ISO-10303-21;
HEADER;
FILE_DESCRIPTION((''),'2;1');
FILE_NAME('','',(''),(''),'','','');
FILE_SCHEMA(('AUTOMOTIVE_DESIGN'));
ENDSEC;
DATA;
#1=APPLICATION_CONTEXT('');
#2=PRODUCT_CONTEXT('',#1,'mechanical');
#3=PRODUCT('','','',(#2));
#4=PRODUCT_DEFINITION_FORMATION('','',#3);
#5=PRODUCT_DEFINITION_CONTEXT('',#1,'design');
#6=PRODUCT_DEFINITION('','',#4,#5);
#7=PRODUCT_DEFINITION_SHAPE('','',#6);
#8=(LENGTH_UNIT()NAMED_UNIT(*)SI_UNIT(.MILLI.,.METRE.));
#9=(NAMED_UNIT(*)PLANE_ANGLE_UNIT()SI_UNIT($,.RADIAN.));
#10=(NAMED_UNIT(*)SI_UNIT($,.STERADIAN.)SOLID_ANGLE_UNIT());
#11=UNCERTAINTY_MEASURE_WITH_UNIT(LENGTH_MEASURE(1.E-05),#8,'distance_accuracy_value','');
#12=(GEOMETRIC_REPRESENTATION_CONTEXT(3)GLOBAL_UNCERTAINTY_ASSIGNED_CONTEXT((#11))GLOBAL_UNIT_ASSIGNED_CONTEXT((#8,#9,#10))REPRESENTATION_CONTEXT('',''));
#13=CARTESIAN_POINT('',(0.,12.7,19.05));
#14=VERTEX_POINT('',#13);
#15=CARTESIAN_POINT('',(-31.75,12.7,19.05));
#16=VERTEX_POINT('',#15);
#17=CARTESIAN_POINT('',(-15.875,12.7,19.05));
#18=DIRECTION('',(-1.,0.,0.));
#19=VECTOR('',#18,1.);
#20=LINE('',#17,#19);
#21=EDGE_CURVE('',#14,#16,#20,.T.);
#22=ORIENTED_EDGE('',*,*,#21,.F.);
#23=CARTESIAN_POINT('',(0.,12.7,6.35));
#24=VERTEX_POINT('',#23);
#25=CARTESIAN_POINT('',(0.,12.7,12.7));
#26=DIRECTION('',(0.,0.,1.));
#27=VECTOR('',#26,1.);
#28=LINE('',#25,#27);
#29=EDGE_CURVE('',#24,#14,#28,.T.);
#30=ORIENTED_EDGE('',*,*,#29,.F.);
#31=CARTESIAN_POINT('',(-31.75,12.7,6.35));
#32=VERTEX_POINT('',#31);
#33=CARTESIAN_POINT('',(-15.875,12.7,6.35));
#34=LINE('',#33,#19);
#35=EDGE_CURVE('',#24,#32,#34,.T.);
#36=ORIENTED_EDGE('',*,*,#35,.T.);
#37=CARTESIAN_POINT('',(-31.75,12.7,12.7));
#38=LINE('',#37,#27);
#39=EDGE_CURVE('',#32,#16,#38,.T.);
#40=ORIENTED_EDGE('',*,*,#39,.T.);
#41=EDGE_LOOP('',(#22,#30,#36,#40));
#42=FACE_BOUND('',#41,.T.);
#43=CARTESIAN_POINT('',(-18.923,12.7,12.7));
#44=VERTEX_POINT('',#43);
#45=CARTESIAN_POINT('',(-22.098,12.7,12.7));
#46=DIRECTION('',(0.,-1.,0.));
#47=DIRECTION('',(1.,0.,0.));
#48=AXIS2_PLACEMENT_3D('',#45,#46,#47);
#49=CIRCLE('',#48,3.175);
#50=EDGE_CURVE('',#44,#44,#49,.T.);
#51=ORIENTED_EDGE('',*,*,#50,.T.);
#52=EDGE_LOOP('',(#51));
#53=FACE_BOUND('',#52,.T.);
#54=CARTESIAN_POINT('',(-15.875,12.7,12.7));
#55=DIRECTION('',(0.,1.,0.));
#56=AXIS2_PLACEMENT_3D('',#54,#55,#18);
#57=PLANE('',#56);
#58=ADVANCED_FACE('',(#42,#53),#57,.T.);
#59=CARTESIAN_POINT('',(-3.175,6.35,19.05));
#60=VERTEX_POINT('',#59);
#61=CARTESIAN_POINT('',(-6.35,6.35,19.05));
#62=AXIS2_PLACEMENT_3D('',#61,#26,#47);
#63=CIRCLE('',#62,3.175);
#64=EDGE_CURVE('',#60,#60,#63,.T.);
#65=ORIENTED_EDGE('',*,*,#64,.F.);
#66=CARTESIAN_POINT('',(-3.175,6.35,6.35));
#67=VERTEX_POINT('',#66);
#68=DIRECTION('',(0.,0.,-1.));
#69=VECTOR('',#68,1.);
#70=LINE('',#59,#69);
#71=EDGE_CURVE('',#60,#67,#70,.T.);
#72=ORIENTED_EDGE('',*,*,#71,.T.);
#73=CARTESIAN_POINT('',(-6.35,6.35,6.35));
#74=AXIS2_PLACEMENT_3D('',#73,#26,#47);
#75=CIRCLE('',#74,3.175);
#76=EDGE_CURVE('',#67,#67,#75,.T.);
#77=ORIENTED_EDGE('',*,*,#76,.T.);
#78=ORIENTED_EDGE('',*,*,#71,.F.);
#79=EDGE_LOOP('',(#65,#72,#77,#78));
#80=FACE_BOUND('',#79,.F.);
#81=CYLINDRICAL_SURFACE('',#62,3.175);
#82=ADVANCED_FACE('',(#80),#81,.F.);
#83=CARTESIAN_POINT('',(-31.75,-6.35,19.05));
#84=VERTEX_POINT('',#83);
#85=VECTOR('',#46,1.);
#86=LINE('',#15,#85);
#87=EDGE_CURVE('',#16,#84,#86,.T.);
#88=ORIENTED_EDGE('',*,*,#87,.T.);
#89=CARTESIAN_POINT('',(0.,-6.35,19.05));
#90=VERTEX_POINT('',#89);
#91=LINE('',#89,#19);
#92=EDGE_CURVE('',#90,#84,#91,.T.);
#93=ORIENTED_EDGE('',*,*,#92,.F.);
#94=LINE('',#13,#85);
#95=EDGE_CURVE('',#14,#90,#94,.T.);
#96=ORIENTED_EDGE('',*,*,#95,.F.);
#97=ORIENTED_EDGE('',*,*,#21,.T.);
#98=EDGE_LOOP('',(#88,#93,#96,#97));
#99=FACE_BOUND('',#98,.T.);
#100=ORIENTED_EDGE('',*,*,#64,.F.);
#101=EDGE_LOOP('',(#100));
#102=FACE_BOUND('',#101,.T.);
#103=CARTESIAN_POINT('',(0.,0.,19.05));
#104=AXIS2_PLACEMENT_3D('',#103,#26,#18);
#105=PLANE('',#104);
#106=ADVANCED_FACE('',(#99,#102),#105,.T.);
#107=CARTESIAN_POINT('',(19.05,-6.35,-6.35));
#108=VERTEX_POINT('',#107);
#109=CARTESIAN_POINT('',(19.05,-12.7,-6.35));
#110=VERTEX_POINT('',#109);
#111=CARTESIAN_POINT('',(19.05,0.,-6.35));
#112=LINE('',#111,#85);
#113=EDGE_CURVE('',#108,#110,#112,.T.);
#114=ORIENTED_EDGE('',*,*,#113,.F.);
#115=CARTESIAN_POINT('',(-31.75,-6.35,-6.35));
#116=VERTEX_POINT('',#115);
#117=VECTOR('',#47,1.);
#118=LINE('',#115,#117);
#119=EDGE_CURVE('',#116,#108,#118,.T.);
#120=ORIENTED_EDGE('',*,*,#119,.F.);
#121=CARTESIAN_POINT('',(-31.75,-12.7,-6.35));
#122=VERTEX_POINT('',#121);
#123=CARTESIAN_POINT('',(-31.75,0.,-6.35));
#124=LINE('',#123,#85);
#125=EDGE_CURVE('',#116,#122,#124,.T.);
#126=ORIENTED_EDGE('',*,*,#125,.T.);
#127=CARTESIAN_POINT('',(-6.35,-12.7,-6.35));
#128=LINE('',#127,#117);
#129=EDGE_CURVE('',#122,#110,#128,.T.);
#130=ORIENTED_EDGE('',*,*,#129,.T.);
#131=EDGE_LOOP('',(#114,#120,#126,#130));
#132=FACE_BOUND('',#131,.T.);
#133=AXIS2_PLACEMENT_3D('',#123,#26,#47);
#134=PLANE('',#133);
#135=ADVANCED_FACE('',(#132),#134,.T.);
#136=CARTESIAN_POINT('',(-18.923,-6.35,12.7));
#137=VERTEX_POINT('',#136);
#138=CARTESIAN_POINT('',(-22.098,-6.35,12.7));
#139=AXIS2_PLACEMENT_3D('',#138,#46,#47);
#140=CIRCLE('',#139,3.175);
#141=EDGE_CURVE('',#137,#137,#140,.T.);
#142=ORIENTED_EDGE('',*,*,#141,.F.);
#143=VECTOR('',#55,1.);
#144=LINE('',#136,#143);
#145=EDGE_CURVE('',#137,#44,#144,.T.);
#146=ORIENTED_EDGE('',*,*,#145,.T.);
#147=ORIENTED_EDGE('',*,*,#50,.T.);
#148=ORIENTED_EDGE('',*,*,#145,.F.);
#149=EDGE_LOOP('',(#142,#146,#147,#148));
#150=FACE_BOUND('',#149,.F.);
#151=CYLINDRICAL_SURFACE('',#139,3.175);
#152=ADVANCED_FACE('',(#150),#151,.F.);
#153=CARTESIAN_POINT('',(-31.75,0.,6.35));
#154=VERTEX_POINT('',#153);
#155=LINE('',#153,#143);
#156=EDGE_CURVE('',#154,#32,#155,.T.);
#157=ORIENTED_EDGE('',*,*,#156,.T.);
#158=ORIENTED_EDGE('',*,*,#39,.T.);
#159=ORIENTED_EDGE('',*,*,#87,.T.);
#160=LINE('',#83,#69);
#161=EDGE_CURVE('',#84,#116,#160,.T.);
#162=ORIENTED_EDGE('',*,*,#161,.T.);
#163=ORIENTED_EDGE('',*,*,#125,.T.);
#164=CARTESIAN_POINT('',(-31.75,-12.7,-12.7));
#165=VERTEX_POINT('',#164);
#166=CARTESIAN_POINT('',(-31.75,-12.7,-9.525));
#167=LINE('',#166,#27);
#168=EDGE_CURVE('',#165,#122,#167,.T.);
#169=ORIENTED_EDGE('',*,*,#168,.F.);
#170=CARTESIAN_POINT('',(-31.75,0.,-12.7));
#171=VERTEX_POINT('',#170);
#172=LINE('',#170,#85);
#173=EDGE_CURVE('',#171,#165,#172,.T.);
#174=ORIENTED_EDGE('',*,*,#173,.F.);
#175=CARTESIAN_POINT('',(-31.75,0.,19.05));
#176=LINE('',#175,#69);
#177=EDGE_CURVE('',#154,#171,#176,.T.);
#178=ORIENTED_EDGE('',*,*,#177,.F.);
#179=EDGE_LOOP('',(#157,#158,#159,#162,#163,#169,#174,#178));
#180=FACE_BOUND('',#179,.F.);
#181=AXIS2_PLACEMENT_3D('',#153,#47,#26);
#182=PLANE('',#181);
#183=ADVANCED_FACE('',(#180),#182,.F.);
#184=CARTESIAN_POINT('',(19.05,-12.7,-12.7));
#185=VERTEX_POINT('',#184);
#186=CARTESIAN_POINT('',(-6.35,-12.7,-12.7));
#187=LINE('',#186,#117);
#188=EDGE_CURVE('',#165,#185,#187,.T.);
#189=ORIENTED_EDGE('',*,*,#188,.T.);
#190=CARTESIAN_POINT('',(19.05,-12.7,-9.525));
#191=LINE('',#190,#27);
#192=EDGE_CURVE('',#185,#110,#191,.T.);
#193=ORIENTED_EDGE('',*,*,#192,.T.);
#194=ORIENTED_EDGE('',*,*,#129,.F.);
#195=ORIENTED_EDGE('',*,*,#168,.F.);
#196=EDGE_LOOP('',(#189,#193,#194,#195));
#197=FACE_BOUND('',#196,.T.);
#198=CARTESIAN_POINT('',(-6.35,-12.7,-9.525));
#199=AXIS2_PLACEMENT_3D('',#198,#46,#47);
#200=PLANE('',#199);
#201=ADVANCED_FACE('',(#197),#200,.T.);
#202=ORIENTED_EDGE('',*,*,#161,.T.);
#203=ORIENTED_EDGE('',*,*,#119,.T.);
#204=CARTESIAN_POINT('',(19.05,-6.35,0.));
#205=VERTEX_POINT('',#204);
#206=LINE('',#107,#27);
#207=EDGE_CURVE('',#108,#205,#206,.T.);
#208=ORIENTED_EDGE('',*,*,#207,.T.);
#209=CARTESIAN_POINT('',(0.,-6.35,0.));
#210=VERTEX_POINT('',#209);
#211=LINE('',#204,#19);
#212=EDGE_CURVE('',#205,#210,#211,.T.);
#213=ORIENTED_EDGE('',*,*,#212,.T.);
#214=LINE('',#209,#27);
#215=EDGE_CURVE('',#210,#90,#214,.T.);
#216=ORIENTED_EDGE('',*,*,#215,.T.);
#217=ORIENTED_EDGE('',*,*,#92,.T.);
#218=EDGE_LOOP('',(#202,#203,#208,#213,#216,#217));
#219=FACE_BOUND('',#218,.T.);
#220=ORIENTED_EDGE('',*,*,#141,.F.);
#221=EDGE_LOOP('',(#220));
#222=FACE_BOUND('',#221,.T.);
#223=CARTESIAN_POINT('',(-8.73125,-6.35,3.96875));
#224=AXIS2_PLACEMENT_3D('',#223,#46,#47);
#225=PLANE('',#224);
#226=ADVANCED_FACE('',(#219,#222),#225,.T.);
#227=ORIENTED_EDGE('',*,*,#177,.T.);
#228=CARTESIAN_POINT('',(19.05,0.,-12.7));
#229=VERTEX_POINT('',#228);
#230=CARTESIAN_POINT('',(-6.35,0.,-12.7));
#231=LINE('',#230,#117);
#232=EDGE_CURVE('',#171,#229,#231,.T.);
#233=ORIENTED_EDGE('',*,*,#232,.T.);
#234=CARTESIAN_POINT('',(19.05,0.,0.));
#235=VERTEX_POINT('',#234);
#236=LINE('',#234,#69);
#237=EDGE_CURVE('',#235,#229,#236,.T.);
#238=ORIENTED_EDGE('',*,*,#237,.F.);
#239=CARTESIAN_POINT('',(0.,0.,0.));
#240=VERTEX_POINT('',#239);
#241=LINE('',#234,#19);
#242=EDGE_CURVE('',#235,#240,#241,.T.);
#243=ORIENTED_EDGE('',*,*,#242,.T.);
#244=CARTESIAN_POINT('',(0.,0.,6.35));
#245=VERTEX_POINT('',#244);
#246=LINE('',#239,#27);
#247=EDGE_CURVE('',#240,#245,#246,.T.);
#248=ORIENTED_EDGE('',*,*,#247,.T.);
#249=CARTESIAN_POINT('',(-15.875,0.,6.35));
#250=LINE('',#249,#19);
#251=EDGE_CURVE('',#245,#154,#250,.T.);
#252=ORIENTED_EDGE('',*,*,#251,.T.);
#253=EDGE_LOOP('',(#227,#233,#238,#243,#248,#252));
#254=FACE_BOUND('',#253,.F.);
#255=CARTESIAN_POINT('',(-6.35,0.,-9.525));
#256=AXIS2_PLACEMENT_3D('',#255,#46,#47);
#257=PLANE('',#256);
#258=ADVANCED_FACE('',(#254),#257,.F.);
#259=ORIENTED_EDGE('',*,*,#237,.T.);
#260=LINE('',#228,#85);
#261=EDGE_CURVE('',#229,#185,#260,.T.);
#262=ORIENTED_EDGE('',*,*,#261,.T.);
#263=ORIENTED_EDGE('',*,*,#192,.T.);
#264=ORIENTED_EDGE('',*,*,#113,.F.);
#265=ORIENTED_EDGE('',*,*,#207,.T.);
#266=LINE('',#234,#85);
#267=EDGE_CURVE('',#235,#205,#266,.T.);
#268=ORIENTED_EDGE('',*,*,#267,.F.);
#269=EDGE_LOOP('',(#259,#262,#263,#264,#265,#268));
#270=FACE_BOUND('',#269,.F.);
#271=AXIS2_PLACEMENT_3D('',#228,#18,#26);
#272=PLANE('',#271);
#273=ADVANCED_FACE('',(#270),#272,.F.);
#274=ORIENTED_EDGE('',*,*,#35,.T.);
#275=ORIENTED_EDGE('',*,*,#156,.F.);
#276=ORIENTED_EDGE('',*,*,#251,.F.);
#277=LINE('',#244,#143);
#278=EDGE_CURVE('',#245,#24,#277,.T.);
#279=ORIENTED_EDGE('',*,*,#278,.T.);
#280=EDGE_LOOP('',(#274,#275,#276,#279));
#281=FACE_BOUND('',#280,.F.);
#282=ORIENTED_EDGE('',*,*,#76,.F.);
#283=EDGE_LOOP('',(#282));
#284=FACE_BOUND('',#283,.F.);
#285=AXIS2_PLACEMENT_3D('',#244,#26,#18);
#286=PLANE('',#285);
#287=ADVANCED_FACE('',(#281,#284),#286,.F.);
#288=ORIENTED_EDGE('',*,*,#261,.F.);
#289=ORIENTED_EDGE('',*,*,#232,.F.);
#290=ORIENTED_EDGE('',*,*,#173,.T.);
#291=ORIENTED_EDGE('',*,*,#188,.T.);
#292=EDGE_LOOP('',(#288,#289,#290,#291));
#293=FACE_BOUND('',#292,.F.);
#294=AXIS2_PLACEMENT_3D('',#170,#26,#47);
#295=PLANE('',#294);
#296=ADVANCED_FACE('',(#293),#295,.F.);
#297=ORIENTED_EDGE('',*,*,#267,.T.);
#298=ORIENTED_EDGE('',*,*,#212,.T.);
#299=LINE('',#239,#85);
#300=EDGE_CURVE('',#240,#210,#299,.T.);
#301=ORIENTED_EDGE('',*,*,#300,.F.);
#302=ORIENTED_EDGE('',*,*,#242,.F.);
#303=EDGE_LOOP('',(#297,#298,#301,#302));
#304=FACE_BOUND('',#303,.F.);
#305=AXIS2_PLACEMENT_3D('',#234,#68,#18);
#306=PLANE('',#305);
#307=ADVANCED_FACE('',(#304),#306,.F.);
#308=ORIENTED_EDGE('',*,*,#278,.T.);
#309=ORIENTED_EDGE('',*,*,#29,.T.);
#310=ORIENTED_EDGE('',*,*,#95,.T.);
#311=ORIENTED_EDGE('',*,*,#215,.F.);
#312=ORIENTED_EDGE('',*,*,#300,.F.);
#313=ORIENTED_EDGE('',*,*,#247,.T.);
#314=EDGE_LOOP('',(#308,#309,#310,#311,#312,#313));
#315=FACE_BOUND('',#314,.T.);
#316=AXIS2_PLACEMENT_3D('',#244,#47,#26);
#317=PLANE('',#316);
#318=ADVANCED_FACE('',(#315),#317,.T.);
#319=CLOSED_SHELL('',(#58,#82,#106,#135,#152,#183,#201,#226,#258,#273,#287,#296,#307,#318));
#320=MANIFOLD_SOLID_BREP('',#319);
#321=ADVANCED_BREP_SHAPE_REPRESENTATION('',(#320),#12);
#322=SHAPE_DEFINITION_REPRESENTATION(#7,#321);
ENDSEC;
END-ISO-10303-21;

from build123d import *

# Parameters (mm, degrees)
F1_DEPTH = 6.35
F2_W     = 50.8
F2_H     = 6.35
F3_DEPTH = 12.7
F4_W     = 31.75
F4_H     = 12.7
F5_DEPTH = 12.7
F6_R     = 3.175
F7_DEPTH = 25.4
F8_R     = 3.175
F9_DEPTH = 25.4


with BuildPart() as f1:
    # F0 (on Front) → F1 (new body)
    with BuildSketch(Plane.XZ):
        Polygon((19.05, 0), (0, 0), (0, 19.05), (-31.75, 19.05), (-31.75, -6.35), (19.05, -6.35), align=None)
    extrude(amount=F1_DEPTH)

    # F2 (on Front) → F3 (join)
    with BuildSketch(Plane.XZ):
        with Locations((-6.35, -9.525)):
            Rectangle(F2_W, F2_H)
    extrude(amount=F3_DEPTH)

    # F4 (on face) → F5 (join)
    with BuildSketch(Plane(origin=(0, 0, 0), x_dir=(-1, 0, 0), z_dir=(0, 1, 0))):
        with Locations((15.875, 12.7)):
            Rectangle(F4_W, F4_H)
    extrude(amount=F5_DEPTH)

    # F6 (on face) → F7 (cut)
    with BuildSketch(Plane.XZ.offset(6.35)):
        with Locations((-22.098, 12.7)):
            Circle(F6_R)
    extrude(amount=-F7_DEPTH, mode=Mode.SUBTRACT)

    # F8 (on face) → F9 (cut)
    with BuildSketch(Plane.XY.offset(19.05)):
        with Locations((-6.35, 6.35)):
            Circle(F8_R)
    extrude(amount=-F9_DEPTH, mode=Mode.SUBTRACT)


solid = f1.part
